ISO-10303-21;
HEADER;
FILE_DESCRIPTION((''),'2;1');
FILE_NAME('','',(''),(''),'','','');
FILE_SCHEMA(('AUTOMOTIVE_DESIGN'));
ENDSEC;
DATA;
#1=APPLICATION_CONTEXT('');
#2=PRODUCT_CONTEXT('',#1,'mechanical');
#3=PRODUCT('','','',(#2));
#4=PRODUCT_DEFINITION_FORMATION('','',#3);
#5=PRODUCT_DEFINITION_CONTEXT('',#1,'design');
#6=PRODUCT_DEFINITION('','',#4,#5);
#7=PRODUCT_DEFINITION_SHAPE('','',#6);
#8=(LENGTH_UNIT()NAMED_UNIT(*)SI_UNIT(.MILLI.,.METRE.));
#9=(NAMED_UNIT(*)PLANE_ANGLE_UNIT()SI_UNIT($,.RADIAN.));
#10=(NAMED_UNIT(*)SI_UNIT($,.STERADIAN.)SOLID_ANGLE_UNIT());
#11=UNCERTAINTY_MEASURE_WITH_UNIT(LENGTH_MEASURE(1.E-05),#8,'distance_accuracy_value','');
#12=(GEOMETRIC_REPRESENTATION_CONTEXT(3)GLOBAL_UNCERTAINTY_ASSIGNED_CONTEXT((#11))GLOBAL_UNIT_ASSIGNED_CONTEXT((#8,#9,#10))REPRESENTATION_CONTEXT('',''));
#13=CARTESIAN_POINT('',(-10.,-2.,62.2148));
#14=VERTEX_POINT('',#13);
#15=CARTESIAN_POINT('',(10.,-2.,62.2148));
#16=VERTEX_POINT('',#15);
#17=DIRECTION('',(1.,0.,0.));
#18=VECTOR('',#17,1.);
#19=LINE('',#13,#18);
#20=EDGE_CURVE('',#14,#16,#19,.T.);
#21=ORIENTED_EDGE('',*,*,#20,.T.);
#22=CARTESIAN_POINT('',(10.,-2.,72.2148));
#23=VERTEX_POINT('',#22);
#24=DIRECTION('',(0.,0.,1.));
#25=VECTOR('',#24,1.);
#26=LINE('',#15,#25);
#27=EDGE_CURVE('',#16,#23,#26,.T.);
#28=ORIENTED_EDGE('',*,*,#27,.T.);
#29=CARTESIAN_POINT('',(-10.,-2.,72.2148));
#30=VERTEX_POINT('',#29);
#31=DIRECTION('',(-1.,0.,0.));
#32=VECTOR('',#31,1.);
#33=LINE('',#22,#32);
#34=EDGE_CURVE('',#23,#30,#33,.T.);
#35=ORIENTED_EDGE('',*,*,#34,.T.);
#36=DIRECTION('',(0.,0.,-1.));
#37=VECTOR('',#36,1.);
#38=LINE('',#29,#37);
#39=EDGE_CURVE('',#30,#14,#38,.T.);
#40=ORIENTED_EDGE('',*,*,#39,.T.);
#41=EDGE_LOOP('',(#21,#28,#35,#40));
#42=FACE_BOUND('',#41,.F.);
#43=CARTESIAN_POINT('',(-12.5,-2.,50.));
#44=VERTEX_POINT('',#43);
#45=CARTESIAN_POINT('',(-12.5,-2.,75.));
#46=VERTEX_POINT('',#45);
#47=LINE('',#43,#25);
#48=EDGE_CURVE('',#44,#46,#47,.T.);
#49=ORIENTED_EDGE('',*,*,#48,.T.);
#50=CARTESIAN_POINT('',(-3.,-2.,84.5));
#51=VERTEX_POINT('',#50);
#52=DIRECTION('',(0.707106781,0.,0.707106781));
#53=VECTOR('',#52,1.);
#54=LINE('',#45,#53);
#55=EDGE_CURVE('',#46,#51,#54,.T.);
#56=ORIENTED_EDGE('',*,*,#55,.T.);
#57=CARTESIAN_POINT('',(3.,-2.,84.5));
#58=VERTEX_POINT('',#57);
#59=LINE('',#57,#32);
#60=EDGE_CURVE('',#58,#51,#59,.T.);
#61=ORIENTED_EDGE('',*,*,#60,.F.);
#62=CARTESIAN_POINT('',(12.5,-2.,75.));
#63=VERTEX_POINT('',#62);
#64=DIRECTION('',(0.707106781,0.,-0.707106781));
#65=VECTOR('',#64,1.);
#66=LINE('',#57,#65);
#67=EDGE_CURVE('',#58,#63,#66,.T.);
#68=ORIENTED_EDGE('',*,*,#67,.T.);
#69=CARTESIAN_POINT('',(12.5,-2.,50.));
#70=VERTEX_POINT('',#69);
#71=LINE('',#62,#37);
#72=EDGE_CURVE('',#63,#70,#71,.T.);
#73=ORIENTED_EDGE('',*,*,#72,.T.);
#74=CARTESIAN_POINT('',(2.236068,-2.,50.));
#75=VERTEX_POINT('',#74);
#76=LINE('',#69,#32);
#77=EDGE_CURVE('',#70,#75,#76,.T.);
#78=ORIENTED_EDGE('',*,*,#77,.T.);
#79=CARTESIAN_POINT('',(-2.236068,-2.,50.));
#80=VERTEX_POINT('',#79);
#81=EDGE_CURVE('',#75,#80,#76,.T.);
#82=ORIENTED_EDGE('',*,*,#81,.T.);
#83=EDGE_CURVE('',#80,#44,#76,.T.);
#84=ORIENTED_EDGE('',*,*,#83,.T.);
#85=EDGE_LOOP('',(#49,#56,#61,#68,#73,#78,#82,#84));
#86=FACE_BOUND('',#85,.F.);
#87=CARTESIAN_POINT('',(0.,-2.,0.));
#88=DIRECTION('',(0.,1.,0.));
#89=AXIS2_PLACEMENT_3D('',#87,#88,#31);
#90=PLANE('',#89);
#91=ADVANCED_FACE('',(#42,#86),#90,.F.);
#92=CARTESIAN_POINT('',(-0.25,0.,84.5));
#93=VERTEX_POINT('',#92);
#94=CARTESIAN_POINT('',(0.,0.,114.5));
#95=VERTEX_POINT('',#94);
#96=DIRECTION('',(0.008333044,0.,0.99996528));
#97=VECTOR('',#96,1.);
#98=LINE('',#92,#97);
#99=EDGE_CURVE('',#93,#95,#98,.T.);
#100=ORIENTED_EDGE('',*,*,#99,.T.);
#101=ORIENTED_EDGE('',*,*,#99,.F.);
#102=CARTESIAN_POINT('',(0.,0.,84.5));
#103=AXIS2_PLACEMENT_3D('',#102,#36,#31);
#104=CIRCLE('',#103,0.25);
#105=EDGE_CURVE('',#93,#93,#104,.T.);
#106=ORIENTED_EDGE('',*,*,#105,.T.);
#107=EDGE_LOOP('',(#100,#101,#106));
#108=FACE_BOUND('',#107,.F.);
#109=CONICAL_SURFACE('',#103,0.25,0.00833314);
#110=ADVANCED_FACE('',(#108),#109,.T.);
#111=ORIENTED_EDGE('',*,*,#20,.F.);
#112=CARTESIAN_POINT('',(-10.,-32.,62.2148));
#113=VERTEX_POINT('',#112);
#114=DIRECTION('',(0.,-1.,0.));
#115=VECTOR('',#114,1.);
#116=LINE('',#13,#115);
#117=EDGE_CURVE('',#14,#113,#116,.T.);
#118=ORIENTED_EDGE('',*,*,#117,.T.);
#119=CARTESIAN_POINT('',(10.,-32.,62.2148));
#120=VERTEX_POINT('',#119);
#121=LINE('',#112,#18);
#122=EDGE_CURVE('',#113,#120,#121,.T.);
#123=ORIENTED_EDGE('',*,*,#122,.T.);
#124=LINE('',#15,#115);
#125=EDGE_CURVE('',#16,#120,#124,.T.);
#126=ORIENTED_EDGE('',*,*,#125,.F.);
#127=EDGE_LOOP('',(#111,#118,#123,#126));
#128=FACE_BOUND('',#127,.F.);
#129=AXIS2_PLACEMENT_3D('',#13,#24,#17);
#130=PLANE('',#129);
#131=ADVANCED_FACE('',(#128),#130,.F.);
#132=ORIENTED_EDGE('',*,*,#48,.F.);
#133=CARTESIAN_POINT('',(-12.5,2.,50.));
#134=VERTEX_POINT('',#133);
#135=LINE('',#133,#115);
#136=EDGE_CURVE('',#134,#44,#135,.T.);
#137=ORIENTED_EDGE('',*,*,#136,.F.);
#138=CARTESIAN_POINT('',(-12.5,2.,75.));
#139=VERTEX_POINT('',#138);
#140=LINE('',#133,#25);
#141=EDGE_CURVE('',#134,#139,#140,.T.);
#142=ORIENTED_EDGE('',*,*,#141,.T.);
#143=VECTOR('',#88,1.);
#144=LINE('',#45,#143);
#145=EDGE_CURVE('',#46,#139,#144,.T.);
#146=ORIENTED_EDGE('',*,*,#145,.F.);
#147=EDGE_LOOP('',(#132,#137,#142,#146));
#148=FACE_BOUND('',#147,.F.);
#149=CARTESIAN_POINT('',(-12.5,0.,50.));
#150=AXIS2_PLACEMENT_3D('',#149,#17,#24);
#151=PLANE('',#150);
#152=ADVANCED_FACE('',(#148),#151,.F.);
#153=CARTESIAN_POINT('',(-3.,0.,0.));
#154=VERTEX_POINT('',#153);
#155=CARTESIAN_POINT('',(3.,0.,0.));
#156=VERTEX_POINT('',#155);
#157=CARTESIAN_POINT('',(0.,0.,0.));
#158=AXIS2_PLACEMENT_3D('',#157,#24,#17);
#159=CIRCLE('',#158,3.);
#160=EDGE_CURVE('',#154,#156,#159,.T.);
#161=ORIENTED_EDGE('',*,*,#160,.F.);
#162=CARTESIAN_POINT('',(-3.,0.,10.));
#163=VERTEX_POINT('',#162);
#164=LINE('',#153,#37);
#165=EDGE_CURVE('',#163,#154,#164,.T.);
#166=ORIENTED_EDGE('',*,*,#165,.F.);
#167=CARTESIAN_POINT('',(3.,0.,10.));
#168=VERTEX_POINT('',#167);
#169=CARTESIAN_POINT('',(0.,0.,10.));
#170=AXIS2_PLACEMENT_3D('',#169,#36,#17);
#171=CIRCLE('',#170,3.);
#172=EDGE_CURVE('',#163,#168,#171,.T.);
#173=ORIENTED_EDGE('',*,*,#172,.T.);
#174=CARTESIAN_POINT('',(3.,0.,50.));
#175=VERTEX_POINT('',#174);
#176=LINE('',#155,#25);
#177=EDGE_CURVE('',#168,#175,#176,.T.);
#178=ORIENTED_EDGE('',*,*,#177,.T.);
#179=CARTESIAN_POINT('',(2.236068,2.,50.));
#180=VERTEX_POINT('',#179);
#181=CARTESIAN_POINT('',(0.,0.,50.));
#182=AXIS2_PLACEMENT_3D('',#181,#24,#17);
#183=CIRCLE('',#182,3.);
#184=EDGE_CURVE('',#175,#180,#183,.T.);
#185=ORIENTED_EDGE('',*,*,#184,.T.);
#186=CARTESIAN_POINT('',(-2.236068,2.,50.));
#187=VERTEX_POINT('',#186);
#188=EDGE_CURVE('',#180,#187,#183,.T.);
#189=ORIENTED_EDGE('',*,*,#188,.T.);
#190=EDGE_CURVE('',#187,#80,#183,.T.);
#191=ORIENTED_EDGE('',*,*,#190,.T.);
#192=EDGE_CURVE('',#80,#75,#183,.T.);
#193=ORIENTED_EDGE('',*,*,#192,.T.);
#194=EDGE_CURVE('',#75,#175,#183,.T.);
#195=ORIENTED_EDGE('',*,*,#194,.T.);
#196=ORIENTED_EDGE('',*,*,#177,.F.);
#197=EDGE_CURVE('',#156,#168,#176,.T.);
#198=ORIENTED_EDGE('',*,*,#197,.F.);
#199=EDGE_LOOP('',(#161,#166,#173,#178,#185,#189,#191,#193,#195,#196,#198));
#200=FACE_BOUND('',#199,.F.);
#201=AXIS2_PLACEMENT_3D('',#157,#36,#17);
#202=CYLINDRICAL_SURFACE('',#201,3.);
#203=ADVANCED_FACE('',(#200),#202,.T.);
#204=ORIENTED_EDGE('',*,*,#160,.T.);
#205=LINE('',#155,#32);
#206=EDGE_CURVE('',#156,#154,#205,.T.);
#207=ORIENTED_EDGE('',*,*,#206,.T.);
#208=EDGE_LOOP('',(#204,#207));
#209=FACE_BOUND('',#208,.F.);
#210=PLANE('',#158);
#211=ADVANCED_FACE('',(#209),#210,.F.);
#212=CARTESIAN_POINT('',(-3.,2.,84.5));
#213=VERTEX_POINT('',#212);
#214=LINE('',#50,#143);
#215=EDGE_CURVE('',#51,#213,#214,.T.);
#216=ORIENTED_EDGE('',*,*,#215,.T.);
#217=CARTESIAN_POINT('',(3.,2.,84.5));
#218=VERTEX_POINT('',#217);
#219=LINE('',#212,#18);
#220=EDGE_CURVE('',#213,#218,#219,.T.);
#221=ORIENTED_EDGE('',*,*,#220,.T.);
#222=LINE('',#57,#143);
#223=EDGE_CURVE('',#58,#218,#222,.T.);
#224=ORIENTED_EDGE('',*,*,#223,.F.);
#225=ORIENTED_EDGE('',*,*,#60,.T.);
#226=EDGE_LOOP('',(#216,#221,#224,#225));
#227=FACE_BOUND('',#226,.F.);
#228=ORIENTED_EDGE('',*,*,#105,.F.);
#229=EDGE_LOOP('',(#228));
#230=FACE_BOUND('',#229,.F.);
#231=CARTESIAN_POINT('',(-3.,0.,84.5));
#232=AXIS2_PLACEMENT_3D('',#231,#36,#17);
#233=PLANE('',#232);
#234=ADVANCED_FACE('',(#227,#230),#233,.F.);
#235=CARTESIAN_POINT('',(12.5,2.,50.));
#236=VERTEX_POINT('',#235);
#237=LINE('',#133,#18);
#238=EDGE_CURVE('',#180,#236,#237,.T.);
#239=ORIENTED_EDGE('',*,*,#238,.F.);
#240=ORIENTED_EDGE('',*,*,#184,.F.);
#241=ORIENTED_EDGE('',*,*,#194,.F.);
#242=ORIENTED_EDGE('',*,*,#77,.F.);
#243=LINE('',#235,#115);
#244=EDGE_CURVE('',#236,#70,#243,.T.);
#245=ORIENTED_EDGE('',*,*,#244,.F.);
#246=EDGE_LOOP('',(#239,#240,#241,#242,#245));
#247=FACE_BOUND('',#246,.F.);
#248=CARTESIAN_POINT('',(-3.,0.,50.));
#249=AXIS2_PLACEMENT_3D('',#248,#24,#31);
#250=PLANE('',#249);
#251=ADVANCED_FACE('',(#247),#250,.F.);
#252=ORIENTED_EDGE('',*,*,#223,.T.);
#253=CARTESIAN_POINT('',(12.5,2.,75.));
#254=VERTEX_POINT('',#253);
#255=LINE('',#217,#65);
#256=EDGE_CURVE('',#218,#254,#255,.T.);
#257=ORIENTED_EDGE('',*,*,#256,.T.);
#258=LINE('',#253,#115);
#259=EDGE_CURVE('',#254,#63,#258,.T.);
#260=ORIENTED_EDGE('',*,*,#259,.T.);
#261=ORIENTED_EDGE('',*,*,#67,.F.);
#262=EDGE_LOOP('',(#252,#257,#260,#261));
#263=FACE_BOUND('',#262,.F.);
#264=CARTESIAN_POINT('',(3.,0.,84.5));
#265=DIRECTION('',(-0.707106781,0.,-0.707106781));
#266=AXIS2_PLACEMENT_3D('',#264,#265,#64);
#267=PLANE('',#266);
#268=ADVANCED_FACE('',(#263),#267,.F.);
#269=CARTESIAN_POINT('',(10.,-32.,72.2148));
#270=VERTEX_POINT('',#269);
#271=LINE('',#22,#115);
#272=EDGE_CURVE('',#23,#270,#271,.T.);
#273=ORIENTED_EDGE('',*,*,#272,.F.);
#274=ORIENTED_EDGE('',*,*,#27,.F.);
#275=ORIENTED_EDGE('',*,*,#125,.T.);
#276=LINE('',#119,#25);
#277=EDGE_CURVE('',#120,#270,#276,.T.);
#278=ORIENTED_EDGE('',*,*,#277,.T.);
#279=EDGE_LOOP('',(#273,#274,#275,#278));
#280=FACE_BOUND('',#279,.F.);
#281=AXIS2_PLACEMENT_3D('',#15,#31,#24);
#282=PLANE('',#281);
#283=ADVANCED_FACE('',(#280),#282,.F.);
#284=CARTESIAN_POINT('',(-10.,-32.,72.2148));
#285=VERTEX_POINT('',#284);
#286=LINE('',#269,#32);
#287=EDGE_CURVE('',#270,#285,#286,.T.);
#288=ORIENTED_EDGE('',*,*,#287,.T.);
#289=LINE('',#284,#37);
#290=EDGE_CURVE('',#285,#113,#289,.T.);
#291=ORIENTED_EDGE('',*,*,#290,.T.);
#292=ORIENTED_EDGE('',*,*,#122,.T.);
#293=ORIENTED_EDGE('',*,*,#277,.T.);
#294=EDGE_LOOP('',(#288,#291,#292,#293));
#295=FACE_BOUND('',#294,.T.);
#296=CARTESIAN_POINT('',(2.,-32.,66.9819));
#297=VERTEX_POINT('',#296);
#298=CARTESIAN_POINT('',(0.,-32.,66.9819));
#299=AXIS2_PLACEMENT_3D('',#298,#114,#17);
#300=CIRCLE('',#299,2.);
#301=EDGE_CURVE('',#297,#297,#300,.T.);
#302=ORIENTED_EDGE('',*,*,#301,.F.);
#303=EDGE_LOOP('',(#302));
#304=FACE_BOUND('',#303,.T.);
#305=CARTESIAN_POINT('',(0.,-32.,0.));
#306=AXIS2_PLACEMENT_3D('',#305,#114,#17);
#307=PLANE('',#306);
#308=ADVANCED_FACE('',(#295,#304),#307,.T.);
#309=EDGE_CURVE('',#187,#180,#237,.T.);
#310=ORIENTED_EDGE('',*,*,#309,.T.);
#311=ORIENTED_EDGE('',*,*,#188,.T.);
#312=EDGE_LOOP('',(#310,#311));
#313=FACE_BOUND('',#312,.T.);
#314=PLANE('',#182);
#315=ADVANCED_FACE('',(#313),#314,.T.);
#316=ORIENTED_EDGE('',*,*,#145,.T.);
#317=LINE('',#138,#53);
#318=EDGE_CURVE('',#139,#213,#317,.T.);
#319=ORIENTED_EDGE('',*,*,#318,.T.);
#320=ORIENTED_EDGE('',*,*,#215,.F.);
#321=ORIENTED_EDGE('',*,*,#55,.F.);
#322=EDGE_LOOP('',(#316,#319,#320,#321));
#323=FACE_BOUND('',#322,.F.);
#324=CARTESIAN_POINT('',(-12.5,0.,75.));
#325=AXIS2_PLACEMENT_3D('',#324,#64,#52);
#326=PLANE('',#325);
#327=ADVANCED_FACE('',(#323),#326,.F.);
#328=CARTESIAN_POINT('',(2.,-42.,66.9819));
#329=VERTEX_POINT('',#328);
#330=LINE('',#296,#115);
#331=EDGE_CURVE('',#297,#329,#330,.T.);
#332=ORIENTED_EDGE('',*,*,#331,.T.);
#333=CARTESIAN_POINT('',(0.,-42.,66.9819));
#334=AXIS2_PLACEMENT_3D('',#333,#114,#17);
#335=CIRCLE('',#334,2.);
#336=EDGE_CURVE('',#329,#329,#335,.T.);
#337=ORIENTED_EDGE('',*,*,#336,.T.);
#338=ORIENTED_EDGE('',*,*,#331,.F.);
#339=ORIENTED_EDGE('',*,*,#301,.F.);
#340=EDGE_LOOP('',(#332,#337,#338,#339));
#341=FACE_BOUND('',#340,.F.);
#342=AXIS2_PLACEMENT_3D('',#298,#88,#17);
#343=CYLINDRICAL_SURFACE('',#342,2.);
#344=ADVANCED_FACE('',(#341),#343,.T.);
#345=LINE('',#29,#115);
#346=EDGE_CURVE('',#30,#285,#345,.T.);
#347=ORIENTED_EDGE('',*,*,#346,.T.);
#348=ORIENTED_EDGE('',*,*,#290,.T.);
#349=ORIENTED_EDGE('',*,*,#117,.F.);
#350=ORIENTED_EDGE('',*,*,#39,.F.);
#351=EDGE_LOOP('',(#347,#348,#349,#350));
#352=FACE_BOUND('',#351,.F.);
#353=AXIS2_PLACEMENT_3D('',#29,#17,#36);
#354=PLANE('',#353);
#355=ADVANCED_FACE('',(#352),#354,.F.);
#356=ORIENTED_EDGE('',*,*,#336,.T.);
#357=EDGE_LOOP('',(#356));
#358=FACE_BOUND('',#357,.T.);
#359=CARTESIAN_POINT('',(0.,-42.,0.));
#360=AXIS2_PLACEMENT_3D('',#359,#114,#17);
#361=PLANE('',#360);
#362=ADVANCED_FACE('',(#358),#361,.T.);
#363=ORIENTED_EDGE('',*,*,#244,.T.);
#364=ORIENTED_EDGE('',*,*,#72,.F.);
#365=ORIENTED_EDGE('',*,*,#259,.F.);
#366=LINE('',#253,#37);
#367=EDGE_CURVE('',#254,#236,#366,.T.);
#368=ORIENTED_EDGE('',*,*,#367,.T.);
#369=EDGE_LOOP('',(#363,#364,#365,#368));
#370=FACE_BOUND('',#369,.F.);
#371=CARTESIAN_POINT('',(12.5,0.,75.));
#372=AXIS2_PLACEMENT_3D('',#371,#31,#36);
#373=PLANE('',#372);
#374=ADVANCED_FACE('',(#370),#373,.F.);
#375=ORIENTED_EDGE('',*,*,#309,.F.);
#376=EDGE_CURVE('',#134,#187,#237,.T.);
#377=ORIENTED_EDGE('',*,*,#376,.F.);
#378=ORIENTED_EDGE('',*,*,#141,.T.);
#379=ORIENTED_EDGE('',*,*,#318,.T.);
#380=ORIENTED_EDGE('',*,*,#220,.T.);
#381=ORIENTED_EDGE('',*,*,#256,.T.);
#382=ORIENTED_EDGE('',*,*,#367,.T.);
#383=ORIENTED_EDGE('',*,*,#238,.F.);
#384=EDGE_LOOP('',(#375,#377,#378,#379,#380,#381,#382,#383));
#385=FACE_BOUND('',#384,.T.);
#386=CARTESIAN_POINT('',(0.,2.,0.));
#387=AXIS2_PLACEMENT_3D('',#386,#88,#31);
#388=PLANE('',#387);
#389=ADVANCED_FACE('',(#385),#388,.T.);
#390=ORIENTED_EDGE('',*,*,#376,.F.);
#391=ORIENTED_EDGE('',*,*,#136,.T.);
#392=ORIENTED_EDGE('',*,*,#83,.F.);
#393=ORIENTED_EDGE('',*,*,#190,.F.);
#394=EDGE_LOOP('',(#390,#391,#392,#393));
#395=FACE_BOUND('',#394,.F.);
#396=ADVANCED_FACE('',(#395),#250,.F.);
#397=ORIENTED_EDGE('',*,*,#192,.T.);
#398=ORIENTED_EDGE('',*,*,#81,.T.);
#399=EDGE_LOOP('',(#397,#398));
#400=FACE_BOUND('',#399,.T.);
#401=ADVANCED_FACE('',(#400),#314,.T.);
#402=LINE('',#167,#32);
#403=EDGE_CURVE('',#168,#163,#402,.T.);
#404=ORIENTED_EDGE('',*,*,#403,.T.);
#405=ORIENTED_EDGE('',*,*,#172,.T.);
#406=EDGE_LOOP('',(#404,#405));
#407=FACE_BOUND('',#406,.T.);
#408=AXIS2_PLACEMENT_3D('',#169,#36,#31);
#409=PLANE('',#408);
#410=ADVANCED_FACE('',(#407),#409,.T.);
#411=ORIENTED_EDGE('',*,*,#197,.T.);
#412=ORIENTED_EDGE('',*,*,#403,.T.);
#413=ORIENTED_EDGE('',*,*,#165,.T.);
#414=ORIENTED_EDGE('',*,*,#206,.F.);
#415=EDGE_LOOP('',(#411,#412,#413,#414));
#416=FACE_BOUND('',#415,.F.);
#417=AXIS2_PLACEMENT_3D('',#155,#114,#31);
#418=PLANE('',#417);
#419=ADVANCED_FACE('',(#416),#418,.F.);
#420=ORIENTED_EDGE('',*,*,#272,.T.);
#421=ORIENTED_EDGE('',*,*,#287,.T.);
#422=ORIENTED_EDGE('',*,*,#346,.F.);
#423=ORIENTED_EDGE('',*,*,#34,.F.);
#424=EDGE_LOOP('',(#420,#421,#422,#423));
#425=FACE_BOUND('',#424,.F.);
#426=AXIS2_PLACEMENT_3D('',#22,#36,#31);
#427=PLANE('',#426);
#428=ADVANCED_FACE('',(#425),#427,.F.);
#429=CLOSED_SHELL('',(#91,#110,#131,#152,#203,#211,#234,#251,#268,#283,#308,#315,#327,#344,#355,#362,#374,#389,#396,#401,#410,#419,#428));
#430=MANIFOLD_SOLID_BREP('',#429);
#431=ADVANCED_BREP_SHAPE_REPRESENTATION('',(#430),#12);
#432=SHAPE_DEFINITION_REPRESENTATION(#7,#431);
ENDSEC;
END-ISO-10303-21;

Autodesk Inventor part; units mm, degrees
ref_plane "YZ Plane" through (0, 0, 0) normal (1, 0, 0) x (0, 1, 0)
ref_plane "XZ Plane" through (0, 0, 0) normal (0, 1, 0) x (-1, 0, 0)
ref_plane "XY Plane" through (0, 0, 0) normal (0, 0, 1) x (1, 0, 0)
sketch "Sketch1" plane through (0, 0, 0) normal (0, 0, 1) x (1, 0, 0)
  circle A0 centre (0, 0) radius 3
  dimension "d0" = 6
extrude "Extrusion1" add sketch "Sketch1" along normal blind 50
sketch "Sketch2" plane through (0, 0, 0) normal (0, 1, 0) x (-1, 0, 0)
  line L0 (-12.5, 75) -> (-12.5, 50)
  line L1 (-12.5, 50) -> (12.5, 50)
  line L2 (12.5, 50) -> (12.5, 75)
  line L3 (12.5, 75) -> (-12.5, 75)
  line L4 (-12.5, 75) -> (12.5, 50) construction
  line L5 (-12.5, 50) -> (12.5, 75) construction
  line L6 (3, 50) -> (-3, 50) projected
  line L7 (3, 50) -> (-3, 50) projected
  line L8 (3, 0) -> (-3, 0) projected
  line L9 (3, 0) -> (-3, 0) projected
  line L10 (-3, 0) -> (3, 50)
  line L11 (3, 0) -> (-3, 50)
  line L12 (12.5, 75) -> (3, 84.5)
  line L13 (3, 84.5) -> (3, 84.5)
  line L14 (3, 84.5) -> (-3, 84.5)
  line L15 (-3, 84.5) -> (-3, 84.5)
  line L16 (-3, 84.5) -> (-12.5, 75)
  line L17 (0.25, 84.5) -> (0, 114.5)
  line L18 (0, 114.5) -> (-0.25, 84.5)
  line L19 (0, 114.5) -> (0, 84.5)
  point P0 (0, 0)
  point P1 (0, 62.5)
  point P2 (0, 50)
  point P3 (0, 25)
  point P4 (0, 62.5)
  dimension "d3" = 25
  dimension "d4" = 25
  dimension "d5" = 6
  dimension "d6" = 0
  dimension "d11" = 30
  dimension "d14" = 0.5
  dimension "d15" = 0.25
extrude "Extrusion2" add sketch "Sketch2" along normal mid plane 4 contours L3 L2 L1 L0 | L16 L14 L12 L3
sketch "Sketch3" plane through (0, -2, 0) normal (0, -1, 0) x (1, 0, 0)
  line L0 (-10, 72.2148) -> (-10, 62.2148)
  line L1 (-10, 62.2148) -> (10, 62.2148)
  line L2 (10, 62.2148) -> (10, 72.2148)
  line L3 (10, 72.2148) -> (-10, 72.2148)
  line L4 (-10, 72.2148) -> (10, 62.2148) construction
  line L5 (-10, 62.2148) -> (10, 72.2148) construction
  point P0 (0, 0)
  point P1 (0, 67.2148)
  dimension "d18" = 10
  dimension "d24" = 20
extrude "Extrusion3" add sketch "Sketch3" along normal blind 30
revolve "Revolution1" add sketch "Sketch2" angle 360 about axis through (0, 0, 114.5) along (0, 0, -1) contours L14 L19 L17
sketch "Sketch5" plane through (0, 0, 0) normal (0, 0, -1) x (-1, 0, 0)
  arc A0 (-2.2361, 2) -> (-2.2361, -2) centre (0, 0) ccw projected
  line L0 (-3, 0) -> (3.9396, 0)
  line L1 (3.9396, 0) -> (3.9396, 5.4672)
  line L2 (3.9396, 5.4672) -> (-3, 5.4672)
  line L3 (-3, 5.4672) -> (-3, 0)
extrude "Extrusion4" cut sketch "Sketch5" against normal blind 10
sketch "Sketch6" plane through (0, -32, 0) normal (0, -1, 0) x (1, 0, 0)
  circle A0 centre (0, 66.9819) radius 2
  point P0 (0, 0)
  dimension "d25" = 4
extrude "Extrusion5" add sketch "Sketch6" along normal blind 10
equation "\"d15\" = 0.5 * d14"
properties part number "electrode"
